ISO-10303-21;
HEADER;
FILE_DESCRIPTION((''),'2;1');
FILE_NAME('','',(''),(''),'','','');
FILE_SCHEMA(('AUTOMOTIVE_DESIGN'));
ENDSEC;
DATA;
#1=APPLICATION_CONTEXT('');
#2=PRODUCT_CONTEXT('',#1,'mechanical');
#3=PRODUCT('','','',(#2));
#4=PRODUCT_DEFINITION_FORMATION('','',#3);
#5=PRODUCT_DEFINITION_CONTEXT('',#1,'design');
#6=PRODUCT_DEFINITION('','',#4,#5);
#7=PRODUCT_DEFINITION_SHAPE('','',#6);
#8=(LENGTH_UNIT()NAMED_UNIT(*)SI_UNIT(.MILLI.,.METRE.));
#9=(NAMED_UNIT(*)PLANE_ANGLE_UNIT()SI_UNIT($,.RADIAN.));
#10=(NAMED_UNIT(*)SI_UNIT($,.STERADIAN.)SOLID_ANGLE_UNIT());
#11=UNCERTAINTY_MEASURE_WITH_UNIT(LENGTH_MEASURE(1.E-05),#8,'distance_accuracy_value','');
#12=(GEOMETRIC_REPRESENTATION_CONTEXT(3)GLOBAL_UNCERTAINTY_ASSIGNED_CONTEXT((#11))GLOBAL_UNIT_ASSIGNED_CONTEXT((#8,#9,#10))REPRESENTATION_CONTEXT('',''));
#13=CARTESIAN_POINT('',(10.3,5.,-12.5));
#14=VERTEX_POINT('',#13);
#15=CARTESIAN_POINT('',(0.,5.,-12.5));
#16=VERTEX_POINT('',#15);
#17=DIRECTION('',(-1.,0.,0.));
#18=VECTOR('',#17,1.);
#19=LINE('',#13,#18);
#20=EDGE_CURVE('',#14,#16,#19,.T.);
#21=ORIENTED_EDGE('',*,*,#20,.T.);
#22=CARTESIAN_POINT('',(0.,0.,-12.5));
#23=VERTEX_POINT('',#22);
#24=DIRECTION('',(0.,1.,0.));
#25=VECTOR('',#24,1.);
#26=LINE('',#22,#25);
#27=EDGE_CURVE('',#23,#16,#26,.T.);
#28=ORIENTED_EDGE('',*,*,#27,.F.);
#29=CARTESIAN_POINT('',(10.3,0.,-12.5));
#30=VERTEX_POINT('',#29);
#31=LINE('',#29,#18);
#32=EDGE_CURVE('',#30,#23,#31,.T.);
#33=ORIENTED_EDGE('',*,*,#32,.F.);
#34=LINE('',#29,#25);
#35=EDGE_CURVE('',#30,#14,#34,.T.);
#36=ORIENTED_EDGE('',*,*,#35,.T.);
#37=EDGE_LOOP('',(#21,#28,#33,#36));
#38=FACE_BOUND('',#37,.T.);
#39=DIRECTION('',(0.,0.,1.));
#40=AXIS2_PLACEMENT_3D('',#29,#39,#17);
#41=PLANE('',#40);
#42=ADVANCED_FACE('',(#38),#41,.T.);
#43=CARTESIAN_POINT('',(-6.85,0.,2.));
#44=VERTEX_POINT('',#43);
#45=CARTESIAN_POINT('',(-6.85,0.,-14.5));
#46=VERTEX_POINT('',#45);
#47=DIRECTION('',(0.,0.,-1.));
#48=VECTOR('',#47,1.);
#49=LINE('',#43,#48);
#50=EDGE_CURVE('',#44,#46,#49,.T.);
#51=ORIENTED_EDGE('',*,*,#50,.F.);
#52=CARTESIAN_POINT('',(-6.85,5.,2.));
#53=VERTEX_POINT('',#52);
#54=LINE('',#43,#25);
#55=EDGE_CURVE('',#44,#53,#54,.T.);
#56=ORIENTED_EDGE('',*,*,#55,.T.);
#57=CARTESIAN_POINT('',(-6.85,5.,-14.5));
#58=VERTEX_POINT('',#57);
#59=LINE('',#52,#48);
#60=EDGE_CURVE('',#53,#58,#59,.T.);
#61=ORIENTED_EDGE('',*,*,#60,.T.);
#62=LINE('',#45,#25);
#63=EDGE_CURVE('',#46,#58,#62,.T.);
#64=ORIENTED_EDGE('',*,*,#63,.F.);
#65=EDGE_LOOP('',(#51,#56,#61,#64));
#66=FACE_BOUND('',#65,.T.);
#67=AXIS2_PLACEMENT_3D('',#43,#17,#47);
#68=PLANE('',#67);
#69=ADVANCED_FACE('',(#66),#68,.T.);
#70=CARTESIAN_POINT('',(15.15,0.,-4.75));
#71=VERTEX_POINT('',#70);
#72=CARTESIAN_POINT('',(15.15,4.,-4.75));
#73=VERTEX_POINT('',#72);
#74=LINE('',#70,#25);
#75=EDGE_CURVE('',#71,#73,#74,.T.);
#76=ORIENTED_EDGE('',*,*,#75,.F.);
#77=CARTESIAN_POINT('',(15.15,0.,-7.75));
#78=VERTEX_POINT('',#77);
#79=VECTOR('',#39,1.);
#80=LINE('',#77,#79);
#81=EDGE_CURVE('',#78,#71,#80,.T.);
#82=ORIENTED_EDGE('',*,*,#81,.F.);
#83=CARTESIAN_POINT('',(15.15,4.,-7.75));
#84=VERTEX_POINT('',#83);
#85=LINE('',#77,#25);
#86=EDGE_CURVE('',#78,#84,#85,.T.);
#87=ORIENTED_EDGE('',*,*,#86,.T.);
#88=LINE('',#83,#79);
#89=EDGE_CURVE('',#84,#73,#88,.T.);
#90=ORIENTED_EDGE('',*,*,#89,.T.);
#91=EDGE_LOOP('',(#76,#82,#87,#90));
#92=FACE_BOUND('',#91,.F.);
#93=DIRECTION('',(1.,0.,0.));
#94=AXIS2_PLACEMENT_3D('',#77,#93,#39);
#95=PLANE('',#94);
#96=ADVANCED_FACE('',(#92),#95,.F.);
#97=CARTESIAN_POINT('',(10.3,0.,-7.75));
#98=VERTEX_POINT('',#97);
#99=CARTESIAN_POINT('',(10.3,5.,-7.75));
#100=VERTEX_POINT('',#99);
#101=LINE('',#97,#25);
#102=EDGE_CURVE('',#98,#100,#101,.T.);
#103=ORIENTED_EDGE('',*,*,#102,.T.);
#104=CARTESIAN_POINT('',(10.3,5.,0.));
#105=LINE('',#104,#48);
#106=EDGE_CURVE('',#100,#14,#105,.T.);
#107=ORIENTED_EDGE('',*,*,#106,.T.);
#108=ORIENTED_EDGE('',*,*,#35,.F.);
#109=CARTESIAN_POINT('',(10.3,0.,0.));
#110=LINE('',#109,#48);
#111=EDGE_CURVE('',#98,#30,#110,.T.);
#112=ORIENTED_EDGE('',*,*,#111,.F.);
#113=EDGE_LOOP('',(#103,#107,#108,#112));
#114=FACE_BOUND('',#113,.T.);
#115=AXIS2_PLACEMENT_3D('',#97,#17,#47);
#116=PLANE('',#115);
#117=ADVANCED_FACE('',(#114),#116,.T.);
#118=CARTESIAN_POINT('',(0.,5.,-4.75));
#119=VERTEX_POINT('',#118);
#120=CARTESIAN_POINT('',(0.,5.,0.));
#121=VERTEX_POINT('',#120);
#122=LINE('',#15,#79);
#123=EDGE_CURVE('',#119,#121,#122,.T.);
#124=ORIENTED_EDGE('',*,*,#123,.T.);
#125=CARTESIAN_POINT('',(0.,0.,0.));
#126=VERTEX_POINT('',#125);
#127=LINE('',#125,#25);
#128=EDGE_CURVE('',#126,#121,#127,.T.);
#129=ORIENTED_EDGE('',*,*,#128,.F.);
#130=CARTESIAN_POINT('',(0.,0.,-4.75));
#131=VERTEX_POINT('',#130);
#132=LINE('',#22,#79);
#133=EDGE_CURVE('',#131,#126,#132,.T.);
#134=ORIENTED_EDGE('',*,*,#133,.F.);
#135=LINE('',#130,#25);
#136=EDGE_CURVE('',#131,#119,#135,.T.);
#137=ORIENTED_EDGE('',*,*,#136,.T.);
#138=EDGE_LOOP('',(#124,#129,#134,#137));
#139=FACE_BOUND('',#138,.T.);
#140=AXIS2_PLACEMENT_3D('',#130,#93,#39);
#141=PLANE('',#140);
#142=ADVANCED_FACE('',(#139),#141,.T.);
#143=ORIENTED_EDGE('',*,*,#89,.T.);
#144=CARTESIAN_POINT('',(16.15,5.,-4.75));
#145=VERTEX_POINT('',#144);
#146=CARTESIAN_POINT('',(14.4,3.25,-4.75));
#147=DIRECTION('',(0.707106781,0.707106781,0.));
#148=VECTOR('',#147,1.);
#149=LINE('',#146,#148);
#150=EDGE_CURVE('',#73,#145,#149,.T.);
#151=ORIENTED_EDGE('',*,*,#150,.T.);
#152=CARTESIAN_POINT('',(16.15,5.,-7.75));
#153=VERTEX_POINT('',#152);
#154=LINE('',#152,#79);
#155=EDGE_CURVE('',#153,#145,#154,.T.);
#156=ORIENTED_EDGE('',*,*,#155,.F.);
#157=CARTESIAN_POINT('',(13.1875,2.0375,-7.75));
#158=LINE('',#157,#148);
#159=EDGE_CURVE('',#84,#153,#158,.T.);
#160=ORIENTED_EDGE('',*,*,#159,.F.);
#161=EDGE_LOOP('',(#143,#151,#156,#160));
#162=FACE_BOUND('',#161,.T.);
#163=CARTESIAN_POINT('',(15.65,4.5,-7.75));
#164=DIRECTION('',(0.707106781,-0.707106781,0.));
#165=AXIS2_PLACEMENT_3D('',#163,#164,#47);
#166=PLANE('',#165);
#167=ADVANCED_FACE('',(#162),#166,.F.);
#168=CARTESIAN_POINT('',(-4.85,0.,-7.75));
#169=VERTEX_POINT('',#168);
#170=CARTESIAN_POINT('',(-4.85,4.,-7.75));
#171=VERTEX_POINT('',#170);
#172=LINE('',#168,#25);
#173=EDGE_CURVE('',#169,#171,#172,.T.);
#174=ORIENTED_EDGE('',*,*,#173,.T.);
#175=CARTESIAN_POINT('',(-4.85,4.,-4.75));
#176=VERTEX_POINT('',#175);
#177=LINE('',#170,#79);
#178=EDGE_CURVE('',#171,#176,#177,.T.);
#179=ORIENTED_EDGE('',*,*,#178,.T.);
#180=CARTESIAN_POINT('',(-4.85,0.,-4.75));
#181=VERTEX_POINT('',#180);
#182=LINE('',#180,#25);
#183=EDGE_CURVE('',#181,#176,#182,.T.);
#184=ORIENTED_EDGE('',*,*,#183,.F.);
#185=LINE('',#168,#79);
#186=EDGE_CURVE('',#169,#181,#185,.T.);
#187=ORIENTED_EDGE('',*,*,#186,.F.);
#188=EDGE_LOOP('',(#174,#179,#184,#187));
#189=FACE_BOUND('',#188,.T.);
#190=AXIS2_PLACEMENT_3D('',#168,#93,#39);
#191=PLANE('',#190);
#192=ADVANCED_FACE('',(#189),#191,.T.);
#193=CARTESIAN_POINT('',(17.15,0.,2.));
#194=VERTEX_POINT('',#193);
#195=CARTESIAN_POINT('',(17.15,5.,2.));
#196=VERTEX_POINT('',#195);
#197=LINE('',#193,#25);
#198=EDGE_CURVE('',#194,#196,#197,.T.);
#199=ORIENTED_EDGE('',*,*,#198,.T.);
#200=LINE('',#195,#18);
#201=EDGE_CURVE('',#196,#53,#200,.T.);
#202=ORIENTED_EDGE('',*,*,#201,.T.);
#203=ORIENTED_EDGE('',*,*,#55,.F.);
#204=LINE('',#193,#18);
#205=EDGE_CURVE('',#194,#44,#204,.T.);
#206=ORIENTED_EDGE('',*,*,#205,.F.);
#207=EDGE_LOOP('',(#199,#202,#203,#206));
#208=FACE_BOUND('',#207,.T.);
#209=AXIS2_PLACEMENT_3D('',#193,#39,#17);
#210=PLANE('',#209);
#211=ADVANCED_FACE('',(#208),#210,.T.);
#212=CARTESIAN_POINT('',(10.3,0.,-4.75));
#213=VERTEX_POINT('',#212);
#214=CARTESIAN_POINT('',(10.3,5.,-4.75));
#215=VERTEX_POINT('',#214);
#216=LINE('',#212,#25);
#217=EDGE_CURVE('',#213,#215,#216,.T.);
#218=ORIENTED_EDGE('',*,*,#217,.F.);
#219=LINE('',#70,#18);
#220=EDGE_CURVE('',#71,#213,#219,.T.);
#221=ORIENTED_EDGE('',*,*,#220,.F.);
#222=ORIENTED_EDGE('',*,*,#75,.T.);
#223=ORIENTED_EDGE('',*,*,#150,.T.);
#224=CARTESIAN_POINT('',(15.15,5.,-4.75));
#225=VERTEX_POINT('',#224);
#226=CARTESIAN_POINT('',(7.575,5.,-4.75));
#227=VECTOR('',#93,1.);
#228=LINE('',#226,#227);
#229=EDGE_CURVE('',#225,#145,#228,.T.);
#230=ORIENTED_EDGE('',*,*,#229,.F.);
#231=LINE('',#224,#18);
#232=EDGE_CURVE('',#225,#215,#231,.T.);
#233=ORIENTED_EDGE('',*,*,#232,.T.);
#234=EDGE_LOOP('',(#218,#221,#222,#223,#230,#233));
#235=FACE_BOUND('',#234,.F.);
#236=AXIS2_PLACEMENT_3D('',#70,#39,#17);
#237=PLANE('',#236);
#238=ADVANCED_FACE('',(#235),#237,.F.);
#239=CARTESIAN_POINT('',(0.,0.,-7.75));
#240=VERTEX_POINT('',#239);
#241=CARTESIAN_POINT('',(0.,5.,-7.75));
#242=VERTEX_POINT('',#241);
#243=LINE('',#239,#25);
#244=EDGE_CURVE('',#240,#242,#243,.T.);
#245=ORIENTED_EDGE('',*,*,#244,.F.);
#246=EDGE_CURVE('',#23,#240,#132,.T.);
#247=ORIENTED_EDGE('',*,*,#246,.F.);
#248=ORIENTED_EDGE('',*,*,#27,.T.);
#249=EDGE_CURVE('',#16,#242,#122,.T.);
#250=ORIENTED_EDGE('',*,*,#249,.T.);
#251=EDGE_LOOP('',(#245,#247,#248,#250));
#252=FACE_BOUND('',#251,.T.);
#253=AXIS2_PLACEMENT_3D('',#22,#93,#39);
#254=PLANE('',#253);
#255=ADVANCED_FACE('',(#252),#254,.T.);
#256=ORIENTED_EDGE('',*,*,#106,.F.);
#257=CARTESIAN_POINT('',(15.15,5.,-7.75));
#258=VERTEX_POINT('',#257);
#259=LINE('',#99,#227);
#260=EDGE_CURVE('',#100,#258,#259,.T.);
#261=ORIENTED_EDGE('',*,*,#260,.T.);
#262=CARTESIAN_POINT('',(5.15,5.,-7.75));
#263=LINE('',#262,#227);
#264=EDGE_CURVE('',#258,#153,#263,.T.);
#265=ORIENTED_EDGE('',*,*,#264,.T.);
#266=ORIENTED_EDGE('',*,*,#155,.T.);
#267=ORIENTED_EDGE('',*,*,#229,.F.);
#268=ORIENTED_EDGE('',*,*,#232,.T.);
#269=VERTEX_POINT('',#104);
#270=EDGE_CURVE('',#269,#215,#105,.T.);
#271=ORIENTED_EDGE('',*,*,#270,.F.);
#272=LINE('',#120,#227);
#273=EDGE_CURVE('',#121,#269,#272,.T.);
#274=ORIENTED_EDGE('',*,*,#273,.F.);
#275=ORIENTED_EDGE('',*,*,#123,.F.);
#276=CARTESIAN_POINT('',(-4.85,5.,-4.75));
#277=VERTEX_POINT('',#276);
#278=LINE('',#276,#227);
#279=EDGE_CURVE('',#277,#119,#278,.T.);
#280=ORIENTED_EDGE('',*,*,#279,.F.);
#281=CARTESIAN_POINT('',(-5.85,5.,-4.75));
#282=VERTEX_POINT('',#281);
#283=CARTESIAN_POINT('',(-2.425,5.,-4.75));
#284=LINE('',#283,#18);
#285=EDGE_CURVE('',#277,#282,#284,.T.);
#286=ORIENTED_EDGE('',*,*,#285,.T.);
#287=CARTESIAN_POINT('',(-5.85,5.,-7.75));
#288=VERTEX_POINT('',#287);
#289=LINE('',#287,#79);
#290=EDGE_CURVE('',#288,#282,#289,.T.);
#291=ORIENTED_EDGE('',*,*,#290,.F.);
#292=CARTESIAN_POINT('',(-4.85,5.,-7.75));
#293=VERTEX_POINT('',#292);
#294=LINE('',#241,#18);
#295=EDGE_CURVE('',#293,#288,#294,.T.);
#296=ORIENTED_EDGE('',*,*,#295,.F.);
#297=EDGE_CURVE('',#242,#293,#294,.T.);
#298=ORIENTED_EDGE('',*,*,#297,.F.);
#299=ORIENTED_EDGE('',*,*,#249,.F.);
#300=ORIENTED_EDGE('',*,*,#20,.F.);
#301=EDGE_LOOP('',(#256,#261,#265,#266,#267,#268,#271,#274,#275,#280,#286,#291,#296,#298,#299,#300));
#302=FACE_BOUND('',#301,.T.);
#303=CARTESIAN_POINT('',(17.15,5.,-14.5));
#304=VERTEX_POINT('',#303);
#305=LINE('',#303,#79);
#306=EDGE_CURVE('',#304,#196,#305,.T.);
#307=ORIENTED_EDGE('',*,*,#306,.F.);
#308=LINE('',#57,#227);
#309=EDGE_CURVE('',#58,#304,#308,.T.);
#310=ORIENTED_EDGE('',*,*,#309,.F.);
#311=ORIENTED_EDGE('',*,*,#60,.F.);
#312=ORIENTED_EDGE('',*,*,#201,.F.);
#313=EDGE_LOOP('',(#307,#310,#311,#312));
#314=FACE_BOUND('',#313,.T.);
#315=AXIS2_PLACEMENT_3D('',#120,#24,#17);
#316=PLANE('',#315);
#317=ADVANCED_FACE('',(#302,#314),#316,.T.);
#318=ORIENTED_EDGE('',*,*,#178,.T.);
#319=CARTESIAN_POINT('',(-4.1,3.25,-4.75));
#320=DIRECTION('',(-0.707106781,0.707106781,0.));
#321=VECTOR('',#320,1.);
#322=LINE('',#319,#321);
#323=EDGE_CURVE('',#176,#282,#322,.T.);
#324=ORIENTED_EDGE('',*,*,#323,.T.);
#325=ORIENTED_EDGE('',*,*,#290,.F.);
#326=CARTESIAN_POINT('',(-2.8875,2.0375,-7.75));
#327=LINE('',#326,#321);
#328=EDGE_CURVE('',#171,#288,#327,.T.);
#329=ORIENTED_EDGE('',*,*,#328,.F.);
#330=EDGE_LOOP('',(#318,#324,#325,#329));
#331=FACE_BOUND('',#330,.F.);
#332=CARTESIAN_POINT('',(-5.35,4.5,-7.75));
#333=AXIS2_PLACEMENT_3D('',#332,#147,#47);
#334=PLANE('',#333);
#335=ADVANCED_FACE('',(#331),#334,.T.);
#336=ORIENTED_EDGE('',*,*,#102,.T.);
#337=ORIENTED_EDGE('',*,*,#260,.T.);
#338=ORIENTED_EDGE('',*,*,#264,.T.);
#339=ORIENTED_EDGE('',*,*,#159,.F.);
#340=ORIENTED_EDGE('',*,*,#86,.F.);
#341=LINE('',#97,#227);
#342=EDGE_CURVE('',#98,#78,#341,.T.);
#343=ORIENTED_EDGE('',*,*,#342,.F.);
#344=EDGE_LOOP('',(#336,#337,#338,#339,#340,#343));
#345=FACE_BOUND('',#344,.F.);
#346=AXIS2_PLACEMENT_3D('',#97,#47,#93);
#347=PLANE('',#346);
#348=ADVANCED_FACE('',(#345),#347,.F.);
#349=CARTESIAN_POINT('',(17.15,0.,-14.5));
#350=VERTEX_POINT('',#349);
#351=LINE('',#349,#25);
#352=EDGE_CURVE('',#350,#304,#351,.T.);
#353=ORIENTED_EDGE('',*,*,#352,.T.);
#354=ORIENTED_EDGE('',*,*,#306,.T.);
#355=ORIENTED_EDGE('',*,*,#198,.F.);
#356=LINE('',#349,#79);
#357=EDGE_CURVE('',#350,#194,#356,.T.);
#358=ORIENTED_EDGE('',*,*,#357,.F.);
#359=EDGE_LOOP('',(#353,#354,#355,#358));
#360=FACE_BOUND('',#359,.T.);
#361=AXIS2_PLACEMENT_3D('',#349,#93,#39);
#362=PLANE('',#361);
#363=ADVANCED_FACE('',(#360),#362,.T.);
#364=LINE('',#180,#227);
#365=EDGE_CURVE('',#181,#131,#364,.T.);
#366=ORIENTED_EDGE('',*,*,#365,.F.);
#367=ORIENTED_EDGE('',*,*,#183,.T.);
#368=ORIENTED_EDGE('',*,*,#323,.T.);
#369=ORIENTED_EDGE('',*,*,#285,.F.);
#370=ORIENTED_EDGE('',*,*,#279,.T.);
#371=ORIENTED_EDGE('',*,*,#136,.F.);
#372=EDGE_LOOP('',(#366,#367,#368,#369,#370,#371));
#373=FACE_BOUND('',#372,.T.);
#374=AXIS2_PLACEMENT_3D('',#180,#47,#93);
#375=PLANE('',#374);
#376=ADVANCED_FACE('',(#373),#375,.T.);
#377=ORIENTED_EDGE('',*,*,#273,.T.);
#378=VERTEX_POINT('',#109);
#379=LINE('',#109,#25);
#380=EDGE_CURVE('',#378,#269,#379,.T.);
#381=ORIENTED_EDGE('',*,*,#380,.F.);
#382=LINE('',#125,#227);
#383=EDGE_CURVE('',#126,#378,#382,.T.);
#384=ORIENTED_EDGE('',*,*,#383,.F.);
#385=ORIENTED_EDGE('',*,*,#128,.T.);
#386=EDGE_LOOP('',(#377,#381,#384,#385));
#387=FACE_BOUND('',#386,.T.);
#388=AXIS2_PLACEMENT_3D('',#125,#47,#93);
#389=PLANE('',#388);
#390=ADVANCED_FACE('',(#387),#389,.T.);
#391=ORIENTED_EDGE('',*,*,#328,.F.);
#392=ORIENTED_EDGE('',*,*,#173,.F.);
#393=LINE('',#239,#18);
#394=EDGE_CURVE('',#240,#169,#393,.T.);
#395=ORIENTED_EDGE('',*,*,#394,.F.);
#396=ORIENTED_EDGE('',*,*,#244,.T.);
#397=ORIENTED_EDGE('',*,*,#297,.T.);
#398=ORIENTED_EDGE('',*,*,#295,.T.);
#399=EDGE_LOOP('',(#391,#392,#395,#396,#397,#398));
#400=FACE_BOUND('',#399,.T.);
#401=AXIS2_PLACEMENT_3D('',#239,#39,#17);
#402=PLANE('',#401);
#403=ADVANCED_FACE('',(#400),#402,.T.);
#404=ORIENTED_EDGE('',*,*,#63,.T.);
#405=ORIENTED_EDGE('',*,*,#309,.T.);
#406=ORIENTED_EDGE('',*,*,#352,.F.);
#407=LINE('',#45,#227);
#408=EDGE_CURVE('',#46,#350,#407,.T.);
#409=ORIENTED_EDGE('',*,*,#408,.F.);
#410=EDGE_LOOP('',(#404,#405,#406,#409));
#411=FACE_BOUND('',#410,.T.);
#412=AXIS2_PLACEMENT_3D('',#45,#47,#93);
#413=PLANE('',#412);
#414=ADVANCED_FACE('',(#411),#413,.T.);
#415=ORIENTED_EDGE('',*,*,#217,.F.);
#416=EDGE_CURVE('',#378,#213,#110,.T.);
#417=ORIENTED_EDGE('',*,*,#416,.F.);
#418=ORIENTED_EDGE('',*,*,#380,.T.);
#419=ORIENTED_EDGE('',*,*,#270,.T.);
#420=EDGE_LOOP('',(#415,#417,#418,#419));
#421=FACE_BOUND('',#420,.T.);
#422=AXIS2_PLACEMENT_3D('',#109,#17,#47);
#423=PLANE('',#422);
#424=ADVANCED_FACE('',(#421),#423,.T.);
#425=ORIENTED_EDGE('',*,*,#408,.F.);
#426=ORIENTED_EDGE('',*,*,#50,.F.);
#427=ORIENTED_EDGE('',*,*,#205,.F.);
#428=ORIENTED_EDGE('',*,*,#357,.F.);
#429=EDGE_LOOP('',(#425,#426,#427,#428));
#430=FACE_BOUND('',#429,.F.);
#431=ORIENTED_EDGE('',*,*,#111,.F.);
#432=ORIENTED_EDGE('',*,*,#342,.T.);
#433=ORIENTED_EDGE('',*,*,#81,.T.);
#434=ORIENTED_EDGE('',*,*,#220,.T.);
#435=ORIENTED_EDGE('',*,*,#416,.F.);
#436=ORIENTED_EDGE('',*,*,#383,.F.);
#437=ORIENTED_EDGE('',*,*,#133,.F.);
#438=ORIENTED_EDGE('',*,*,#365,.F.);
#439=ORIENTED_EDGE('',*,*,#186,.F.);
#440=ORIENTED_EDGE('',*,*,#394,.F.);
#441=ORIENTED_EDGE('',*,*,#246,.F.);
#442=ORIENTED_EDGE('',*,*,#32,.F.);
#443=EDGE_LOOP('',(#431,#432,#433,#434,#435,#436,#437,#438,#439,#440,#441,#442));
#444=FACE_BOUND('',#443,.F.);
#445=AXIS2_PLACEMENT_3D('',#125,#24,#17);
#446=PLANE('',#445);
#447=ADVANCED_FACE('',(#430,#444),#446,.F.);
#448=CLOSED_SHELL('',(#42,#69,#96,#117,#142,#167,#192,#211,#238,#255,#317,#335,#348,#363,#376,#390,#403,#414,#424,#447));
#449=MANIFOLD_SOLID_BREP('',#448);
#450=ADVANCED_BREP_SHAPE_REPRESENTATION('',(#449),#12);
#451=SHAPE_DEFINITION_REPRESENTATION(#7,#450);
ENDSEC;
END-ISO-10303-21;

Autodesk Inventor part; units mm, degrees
ref_plane "YZ Plane" through (0, 0, 0) normal (1, 0, 0) x (0, 1, 0)
ref_plane "XZ Plane" through (0, 0, 0) normal (0, 1, 0) x (-1, 0, 0)
ref_plane "XY Plane" through (0, 0, 0) normal (0, 0, 1) x (1, 0, 0)
sketch "Sketch1" plane through (0, 0, 0) normal (0, 1, 0) x (-1, 0, 0)
  line L0 (0, 0) -> (-10.3, 0)
  line L1 (-10.3, 0) -> (-10.3, -12.5)
  line L2 (-10.3, -12.5) -> (0, -12.5)
  line L3 (0, -12.5) -> (0, 0)
  line L4 (6.85, -14.5) -> (-17.15, -14.5)
  line L5 (-17.15, -14.5) -> (-17.15, 2)
  line L6 (-17.15, 2) -> (6.85, 2)
  line L7 (6.85, 2) -> (6.85, -14.5)
  line L8 (0, -7.75) -> (4.85, -7.75)
  line L9 (4.85, -7.75) -> (4.85, -4.75)
  line L10 (4.85, -4.75) -> (0, -4.75)
  line L11 (-10.3, -7.75) -> (-15.15, -7.75)
  line L12 (-15.15, -7.75) -> (-15.15, -4.75)
  line L13 (-15.15, -4.75) -> (-10.3, -4.75)
  point P0 (-15.15, -6.25)
  point P1 (-10.3, -6.25)
  dimension "d0" = 3
  dimension "d1" = 10.3
  dimension "d2" = 12.5
  dimension "d3" = 2
  dimension "d4" = 2
  dimension "d5" = 2
  dimension "d6" = 2
  dimension "d7" = 20
extrude "Extrusion1" add sketch "Sketch1" along normal blind 5
chamfer "Chamfer1" distance 1 angle 45 2 edges at (-4.85, 5, -6.25) (15.15, 5, -6.25)
properties part number "Slot Detector Holder" material "ABS Plastic"
